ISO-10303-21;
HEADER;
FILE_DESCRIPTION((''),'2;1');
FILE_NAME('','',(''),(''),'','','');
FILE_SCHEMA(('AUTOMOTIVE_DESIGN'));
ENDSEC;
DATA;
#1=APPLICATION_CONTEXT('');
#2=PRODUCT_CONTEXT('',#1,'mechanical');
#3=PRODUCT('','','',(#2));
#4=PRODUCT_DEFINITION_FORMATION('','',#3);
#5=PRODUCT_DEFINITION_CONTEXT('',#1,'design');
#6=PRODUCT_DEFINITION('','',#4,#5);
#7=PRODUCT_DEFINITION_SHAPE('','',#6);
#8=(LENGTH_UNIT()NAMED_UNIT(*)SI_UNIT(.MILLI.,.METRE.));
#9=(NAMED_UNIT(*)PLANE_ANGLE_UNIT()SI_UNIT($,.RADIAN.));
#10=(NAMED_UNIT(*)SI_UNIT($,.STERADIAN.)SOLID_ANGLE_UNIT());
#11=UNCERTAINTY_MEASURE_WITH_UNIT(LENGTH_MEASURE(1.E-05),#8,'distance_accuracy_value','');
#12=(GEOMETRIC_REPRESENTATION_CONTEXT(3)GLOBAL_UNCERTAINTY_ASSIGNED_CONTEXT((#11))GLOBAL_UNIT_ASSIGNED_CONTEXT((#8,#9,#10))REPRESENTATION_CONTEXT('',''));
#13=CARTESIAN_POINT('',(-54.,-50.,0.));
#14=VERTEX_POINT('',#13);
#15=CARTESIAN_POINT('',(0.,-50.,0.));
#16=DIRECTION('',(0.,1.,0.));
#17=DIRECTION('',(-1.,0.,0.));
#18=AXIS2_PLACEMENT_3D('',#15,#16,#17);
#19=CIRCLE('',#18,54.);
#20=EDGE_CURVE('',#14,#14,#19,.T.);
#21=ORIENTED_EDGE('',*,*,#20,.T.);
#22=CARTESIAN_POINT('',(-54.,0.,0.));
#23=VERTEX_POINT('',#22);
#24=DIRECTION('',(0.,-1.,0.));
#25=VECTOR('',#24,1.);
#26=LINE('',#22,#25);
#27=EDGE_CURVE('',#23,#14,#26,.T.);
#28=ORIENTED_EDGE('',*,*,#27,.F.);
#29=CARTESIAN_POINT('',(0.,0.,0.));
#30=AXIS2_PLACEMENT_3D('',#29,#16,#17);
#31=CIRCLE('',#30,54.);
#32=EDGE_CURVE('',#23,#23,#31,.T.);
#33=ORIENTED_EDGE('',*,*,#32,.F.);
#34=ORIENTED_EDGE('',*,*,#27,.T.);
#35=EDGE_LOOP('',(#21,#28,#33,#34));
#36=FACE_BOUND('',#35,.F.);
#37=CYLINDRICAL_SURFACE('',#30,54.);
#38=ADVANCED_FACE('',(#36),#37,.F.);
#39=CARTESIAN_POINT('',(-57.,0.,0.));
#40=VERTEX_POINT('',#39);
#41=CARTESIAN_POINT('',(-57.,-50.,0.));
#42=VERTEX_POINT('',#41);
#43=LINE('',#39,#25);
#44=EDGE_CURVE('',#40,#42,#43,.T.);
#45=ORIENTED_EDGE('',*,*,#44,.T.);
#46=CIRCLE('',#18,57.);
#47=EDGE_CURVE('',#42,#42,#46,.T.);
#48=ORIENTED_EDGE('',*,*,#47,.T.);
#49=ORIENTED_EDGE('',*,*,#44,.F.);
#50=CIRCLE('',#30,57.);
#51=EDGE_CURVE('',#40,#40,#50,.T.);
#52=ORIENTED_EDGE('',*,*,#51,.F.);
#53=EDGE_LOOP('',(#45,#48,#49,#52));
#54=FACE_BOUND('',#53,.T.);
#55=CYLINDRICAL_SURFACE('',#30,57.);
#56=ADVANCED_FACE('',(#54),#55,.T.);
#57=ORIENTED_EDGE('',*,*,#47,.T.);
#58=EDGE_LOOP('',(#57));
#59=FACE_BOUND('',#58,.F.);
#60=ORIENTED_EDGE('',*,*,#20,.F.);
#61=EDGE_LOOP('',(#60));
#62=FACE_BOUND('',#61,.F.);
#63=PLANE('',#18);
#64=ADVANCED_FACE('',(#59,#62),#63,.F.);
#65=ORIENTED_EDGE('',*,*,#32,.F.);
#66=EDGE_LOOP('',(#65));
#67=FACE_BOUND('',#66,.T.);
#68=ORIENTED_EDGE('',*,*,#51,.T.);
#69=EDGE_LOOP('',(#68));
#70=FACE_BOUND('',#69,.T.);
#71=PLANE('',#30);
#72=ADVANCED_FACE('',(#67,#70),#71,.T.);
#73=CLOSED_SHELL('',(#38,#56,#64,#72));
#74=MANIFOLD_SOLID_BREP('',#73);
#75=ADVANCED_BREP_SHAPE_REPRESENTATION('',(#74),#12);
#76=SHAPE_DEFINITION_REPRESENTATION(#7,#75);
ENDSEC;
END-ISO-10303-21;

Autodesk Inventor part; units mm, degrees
ref_plane "YZ Plane" through (0, 0, 0) normal (1, 0, 0) x (0, 1, 0)
ref_plane "XZ Plane" through (0, 0, 0) normal (0, 1, 0) x (-1, 0, 0)
ref_plane "XY Plane" through (0, 0, 0) normal (0, 0, 1) x (1, 0, 0)
sketch "Sketch1" plane through (0, 0, 0) normal (0, 1, 0) x (-1, 0, 0)
  circle A0 centre (0, 0) radius 57
  circle A1 centre (0, 0) radius 54
  dimension "d0" = 114
  dimension "d1" = 3
extrude "Extrusion1" add sketch "Sketch1" against normal blind 50
properties part number "APN 1434 FDS tube 4" material "Steel"
